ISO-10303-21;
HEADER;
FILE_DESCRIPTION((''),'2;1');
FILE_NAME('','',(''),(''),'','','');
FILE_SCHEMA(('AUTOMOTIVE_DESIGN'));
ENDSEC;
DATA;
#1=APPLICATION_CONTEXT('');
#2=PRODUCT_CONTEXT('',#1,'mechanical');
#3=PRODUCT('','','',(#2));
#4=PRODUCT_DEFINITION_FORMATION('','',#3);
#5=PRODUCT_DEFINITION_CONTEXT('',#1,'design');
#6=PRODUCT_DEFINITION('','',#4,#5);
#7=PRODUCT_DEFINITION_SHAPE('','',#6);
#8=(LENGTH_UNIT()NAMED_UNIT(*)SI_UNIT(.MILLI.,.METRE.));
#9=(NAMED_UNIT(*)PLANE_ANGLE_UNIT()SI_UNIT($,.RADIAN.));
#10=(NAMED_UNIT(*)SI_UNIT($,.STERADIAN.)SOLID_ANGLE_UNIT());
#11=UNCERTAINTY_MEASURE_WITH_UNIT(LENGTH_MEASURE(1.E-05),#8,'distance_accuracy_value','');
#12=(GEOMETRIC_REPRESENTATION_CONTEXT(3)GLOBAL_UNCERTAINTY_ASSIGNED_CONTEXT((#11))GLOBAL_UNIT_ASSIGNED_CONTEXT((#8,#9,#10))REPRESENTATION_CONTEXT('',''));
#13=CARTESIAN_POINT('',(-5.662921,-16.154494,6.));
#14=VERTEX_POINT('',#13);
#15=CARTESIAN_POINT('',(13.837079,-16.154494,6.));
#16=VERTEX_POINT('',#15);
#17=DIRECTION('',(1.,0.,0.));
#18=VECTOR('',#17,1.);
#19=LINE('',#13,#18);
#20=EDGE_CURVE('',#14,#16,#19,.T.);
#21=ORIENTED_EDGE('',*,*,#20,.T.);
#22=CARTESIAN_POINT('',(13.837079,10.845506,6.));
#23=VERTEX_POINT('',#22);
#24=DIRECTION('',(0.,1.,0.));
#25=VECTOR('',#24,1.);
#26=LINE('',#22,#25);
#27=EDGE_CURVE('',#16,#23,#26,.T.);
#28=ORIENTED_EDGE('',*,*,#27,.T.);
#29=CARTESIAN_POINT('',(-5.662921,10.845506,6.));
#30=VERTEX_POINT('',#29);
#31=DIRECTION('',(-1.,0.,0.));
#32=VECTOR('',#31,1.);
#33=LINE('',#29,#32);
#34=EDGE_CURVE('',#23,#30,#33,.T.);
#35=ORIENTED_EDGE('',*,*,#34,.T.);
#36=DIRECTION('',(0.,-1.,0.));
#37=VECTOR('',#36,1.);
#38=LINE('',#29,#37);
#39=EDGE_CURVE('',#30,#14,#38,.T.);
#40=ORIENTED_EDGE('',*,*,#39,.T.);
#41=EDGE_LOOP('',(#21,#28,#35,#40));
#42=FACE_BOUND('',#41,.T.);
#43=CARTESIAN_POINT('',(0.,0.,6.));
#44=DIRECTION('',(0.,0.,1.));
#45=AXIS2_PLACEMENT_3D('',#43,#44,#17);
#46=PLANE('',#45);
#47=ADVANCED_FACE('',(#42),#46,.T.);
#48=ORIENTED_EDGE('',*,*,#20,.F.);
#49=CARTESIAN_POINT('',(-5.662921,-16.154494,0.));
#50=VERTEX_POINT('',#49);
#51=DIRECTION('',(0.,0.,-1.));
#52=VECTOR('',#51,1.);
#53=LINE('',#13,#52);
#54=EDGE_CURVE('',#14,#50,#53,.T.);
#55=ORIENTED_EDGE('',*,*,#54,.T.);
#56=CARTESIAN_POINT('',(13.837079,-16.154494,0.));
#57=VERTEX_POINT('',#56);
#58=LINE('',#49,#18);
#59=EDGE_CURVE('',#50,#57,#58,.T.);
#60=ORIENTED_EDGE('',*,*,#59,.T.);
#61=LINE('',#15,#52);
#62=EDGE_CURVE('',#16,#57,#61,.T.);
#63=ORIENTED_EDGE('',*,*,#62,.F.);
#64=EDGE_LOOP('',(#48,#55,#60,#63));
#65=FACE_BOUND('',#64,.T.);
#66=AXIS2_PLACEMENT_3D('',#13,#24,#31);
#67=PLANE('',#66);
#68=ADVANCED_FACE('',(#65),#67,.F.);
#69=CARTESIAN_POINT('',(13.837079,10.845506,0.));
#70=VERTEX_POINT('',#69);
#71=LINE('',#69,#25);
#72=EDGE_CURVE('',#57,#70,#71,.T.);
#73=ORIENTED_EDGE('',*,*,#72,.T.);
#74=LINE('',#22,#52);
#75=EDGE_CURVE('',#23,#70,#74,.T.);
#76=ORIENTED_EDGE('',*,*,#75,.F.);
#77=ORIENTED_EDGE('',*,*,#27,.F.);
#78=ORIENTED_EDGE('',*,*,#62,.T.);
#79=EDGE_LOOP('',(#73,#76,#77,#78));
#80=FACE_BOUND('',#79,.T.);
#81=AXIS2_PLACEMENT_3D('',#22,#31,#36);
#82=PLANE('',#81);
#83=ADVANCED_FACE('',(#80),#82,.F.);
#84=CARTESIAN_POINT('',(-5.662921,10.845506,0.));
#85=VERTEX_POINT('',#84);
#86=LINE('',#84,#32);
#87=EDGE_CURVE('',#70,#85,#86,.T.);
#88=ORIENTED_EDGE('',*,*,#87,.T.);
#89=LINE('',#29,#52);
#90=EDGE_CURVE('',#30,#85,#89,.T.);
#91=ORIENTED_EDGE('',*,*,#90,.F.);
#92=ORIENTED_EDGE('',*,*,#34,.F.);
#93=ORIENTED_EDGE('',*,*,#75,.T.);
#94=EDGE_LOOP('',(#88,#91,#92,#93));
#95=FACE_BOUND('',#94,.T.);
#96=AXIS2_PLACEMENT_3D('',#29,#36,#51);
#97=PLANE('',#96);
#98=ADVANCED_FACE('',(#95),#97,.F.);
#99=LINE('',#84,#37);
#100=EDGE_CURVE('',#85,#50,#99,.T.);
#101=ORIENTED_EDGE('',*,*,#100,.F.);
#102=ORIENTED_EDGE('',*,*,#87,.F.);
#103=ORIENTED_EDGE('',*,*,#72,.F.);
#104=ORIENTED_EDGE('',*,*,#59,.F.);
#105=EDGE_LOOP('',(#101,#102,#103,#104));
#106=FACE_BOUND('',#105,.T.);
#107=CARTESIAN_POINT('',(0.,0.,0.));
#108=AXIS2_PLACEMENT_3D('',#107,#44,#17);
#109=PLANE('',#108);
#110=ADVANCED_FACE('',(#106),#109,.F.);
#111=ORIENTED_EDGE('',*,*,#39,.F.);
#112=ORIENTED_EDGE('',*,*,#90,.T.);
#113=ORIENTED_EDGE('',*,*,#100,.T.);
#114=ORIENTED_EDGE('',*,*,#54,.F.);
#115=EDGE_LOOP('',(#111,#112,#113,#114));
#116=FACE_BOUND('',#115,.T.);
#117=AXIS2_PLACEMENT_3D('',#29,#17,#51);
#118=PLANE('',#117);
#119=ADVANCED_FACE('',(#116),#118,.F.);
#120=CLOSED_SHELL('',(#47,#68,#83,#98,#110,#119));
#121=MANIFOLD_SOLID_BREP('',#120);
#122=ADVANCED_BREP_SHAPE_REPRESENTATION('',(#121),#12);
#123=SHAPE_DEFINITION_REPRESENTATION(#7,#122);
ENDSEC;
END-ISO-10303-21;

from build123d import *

# Parameters (mm, degrees)
ESQUISSE1_W        = 19.5
ESQUISSE1_H        = 27
BOSS_EXTRU_1_DEPTH = 6


with BuildPart() as part:
    # Esquisse1 → Boss.-Extru.1 (new body)
    with BuildSketch(Plane.XY):
        with Locations((4.087078652, -2.654494382)):
            Rectangle(ESQUISSE1_W, ESQUISSE1_H)
    extrude(amount=BOSS_EXTRU_1_DEPTH)


solid = part.part
